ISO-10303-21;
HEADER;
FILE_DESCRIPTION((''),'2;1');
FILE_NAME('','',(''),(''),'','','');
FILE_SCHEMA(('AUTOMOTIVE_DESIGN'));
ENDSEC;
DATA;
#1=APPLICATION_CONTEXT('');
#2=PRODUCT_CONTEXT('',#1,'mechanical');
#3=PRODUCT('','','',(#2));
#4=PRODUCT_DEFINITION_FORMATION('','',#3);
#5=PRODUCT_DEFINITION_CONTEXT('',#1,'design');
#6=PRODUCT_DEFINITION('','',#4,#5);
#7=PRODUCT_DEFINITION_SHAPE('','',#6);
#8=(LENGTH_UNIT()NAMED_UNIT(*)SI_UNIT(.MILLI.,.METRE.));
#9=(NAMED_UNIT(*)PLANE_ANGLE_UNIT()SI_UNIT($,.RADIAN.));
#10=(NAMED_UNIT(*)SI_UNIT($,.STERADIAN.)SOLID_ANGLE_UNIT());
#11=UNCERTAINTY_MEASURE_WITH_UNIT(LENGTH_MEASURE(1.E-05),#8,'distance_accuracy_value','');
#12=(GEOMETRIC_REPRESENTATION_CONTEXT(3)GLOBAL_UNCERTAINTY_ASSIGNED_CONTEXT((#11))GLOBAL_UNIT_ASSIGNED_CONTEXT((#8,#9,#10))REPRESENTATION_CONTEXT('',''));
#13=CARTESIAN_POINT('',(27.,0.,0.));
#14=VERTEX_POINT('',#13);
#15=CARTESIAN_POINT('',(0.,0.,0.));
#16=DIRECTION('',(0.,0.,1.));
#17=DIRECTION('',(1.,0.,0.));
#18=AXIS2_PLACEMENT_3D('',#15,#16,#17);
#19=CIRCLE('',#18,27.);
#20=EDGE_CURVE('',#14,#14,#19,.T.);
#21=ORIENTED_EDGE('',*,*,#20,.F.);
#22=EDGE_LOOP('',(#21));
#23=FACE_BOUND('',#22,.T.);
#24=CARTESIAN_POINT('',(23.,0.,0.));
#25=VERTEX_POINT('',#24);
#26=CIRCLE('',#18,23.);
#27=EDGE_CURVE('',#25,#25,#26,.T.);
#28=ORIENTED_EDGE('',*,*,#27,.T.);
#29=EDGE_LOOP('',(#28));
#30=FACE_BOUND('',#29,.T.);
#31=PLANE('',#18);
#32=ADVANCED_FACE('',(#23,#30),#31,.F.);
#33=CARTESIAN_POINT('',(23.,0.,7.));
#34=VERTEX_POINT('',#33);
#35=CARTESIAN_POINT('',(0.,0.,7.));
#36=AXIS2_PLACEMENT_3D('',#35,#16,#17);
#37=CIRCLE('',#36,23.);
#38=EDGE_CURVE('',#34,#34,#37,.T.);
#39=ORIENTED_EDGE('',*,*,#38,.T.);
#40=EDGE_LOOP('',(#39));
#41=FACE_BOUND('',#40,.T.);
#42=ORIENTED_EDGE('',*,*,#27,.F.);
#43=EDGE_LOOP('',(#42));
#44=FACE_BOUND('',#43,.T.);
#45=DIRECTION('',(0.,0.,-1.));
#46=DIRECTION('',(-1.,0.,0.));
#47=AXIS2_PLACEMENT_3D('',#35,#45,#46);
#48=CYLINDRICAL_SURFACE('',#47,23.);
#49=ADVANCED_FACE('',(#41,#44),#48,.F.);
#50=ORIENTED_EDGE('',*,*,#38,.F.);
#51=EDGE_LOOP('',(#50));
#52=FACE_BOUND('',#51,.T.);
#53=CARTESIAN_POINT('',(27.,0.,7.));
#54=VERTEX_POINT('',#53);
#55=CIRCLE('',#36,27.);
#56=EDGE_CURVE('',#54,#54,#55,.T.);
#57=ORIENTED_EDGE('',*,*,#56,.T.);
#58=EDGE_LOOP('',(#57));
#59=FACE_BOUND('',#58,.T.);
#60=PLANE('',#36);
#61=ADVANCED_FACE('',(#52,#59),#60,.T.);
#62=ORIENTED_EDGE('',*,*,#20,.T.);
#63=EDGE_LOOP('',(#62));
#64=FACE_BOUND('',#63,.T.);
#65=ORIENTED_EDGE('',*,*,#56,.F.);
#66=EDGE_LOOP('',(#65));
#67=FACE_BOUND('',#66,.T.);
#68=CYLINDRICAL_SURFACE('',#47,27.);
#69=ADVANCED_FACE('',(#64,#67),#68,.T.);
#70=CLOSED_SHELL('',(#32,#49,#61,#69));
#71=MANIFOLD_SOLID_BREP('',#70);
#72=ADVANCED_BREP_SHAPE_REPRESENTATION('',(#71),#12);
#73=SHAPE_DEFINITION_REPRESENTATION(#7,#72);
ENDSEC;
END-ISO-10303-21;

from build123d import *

# Parameters (mm, degrees)
ESQUISSE1_R   = 27
ESQUISSE1_R_2 = 23
BASE_DEPTH    = 7


with BuildPart() as part:
    # Esquisse1 → BASE (new body)
    with BuildSketch(Plane.XY):
        Circle(ESQUISSE1_R)
        Circle(ESQUISSE1_R_2, mode=Mode.SUBTRACT)
    extrude(amount=BASE_DEPTH)


solid = part.part
